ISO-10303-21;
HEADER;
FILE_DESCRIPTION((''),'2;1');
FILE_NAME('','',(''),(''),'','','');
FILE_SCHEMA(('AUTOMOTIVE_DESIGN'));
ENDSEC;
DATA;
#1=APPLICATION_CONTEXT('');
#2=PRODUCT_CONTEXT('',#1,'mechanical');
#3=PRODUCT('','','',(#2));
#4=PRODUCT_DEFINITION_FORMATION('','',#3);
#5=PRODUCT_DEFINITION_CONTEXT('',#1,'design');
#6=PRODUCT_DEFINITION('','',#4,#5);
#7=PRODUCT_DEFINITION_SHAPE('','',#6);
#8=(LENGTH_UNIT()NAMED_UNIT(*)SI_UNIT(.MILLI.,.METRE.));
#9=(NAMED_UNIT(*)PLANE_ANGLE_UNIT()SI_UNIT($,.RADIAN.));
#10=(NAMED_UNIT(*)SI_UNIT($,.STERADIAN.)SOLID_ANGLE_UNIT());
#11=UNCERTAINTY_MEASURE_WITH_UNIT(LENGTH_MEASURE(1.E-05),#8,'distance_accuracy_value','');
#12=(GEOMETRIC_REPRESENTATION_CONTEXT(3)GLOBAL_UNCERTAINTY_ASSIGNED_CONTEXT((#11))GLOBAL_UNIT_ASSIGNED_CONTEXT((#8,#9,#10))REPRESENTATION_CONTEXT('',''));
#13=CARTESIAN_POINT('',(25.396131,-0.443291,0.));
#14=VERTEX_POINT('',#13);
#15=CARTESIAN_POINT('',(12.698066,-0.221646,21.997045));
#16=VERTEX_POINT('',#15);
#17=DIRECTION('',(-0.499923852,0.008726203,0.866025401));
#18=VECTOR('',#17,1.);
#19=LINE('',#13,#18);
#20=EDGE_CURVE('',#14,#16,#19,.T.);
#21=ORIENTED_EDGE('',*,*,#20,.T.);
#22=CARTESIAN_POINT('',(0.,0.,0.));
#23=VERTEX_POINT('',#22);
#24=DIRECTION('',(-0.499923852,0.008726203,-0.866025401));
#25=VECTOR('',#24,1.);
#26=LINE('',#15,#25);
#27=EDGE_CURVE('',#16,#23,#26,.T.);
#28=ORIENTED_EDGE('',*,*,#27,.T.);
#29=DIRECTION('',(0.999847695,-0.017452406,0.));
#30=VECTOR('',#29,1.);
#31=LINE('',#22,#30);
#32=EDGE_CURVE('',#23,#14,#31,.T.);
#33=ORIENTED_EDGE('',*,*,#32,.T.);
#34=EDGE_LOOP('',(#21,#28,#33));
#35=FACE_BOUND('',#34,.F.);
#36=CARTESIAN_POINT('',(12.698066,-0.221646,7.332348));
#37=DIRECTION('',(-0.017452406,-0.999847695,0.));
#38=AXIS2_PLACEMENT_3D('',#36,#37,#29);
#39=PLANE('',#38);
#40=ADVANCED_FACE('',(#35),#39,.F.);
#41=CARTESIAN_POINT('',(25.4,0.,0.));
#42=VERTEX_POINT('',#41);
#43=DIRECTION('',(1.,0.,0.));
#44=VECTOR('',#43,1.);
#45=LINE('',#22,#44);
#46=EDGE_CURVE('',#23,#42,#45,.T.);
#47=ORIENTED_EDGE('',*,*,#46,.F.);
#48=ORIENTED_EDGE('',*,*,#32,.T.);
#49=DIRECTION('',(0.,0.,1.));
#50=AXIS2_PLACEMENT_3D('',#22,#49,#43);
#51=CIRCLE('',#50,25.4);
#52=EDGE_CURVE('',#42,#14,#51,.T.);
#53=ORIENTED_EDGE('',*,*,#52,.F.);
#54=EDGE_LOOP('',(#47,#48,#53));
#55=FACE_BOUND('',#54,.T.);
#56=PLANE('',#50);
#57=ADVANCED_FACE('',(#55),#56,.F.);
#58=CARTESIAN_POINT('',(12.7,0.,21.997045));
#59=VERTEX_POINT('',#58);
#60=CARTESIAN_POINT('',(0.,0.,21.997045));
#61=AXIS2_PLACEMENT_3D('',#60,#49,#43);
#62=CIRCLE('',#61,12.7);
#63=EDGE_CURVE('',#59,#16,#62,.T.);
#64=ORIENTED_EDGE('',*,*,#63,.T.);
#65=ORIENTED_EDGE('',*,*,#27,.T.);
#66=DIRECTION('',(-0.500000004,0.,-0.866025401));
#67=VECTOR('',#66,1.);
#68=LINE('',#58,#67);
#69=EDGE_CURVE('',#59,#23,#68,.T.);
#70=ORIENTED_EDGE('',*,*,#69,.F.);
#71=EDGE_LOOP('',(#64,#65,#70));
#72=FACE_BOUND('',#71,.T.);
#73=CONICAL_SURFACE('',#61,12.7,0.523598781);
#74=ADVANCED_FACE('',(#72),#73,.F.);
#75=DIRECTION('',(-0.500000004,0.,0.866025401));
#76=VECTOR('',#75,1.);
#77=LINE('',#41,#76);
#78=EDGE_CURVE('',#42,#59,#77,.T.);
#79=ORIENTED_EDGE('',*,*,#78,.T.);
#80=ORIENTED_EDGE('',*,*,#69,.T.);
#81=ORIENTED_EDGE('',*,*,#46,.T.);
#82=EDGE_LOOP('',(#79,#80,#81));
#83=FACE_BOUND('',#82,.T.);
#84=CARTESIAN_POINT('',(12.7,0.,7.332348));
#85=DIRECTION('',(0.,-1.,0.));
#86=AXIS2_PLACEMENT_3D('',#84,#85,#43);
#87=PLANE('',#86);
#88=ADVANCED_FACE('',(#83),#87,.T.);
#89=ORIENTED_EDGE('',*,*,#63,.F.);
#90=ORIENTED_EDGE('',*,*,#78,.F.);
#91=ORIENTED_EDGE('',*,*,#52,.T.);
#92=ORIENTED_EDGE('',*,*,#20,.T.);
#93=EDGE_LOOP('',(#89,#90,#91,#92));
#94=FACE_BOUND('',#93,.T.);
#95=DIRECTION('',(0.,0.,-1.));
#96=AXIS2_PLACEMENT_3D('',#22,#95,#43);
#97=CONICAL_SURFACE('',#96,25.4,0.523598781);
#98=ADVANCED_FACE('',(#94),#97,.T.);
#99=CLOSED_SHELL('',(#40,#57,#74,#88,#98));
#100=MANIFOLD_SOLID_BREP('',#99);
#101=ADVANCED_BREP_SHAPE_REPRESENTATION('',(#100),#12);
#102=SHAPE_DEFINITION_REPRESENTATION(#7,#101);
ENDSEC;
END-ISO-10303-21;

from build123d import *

# Parameters (mm, degrees)
F1_ANGLE = 359


with BuildPart() as f1:
    # F0 (on Front) → F1 (revolve)
    with BuildSketch(Plane.XZ):
        Polygon((12.7, 21.997045), (0, 0), (25.4, 0), align=None)
    revolve(axis=Axis((0, 0, 23.984039), (0, 0, 1)), revolution_arc=F1_ANGLE)


solid = f1.part
